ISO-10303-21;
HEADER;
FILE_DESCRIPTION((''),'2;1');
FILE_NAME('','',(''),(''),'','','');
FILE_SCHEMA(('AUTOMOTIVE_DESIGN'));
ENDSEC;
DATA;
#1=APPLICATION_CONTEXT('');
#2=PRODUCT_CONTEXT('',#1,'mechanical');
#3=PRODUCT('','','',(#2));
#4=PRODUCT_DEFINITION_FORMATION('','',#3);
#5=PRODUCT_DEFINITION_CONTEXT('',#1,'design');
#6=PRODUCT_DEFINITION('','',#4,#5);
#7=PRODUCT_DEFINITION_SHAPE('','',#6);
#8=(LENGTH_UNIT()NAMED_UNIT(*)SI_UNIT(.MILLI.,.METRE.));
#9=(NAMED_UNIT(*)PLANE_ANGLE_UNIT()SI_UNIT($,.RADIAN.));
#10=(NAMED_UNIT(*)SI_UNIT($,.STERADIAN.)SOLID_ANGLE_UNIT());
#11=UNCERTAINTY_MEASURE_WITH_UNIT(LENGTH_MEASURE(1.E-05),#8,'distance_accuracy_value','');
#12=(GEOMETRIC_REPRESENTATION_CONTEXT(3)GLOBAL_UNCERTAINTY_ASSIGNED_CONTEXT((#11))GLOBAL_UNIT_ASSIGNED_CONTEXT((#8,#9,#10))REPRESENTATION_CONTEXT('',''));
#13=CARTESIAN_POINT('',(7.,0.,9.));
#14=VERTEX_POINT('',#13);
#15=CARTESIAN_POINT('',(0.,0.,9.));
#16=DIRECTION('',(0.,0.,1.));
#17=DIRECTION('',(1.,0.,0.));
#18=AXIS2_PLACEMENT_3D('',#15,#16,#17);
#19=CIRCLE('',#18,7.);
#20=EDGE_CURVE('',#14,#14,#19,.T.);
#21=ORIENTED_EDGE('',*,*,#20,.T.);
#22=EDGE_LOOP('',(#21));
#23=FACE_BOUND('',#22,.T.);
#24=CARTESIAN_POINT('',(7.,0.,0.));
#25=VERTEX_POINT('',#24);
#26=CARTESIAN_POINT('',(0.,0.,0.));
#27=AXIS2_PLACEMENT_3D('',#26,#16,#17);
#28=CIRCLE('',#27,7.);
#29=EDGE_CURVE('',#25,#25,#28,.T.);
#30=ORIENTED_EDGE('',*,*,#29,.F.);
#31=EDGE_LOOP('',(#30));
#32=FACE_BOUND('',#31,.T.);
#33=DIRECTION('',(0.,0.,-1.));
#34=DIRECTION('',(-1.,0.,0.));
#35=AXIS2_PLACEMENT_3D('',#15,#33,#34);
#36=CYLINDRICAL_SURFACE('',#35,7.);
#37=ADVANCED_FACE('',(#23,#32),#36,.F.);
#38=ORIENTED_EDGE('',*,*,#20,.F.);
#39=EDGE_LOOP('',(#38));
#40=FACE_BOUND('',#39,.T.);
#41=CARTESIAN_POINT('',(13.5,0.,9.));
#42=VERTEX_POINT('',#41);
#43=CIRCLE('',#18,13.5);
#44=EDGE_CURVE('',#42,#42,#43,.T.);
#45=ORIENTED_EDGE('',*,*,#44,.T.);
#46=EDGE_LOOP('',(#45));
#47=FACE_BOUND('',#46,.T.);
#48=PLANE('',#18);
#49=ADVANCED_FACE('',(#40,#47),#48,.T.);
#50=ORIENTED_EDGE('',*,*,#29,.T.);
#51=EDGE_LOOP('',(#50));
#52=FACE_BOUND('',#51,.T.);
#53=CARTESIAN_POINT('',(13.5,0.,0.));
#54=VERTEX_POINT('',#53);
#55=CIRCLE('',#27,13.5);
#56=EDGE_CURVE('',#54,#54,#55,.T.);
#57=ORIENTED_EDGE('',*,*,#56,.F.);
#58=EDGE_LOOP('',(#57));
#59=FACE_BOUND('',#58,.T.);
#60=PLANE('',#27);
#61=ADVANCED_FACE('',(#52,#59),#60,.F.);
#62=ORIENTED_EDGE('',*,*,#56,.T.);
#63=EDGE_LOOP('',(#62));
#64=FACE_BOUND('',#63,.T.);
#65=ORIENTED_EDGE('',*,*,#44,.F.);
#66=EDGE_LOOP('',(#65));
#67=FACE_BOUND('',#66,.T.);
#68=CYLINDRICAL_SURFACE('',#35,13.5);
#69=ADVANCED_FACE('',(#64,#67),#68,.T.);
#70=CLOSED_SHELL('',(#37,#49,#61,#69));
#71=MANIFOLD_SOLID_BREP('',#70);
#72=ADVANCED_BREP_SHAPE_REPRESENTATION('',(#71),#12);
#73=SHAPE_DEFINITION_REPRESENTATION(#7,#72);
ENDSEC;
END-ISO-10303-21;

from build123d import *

# Parameters (mm, degrees)
SKETCH_1_R      = 13.5
SKETCH_1_R_2    = 7
EXTRUDE_1_DEPTH = 9


with BuildPart() as part:
    # Эскиз1 → Бобышка-Вытянуть1 (new body)
    with BuildSketch(Plane.XY):
        Circle(SKETCH_1_R)
        Circle(SKETCH_1_R_2, mode=Mode.SUBTRACT)
    extrude(amount=EXTRUDE_1_DEPTH)


solid = part.part
